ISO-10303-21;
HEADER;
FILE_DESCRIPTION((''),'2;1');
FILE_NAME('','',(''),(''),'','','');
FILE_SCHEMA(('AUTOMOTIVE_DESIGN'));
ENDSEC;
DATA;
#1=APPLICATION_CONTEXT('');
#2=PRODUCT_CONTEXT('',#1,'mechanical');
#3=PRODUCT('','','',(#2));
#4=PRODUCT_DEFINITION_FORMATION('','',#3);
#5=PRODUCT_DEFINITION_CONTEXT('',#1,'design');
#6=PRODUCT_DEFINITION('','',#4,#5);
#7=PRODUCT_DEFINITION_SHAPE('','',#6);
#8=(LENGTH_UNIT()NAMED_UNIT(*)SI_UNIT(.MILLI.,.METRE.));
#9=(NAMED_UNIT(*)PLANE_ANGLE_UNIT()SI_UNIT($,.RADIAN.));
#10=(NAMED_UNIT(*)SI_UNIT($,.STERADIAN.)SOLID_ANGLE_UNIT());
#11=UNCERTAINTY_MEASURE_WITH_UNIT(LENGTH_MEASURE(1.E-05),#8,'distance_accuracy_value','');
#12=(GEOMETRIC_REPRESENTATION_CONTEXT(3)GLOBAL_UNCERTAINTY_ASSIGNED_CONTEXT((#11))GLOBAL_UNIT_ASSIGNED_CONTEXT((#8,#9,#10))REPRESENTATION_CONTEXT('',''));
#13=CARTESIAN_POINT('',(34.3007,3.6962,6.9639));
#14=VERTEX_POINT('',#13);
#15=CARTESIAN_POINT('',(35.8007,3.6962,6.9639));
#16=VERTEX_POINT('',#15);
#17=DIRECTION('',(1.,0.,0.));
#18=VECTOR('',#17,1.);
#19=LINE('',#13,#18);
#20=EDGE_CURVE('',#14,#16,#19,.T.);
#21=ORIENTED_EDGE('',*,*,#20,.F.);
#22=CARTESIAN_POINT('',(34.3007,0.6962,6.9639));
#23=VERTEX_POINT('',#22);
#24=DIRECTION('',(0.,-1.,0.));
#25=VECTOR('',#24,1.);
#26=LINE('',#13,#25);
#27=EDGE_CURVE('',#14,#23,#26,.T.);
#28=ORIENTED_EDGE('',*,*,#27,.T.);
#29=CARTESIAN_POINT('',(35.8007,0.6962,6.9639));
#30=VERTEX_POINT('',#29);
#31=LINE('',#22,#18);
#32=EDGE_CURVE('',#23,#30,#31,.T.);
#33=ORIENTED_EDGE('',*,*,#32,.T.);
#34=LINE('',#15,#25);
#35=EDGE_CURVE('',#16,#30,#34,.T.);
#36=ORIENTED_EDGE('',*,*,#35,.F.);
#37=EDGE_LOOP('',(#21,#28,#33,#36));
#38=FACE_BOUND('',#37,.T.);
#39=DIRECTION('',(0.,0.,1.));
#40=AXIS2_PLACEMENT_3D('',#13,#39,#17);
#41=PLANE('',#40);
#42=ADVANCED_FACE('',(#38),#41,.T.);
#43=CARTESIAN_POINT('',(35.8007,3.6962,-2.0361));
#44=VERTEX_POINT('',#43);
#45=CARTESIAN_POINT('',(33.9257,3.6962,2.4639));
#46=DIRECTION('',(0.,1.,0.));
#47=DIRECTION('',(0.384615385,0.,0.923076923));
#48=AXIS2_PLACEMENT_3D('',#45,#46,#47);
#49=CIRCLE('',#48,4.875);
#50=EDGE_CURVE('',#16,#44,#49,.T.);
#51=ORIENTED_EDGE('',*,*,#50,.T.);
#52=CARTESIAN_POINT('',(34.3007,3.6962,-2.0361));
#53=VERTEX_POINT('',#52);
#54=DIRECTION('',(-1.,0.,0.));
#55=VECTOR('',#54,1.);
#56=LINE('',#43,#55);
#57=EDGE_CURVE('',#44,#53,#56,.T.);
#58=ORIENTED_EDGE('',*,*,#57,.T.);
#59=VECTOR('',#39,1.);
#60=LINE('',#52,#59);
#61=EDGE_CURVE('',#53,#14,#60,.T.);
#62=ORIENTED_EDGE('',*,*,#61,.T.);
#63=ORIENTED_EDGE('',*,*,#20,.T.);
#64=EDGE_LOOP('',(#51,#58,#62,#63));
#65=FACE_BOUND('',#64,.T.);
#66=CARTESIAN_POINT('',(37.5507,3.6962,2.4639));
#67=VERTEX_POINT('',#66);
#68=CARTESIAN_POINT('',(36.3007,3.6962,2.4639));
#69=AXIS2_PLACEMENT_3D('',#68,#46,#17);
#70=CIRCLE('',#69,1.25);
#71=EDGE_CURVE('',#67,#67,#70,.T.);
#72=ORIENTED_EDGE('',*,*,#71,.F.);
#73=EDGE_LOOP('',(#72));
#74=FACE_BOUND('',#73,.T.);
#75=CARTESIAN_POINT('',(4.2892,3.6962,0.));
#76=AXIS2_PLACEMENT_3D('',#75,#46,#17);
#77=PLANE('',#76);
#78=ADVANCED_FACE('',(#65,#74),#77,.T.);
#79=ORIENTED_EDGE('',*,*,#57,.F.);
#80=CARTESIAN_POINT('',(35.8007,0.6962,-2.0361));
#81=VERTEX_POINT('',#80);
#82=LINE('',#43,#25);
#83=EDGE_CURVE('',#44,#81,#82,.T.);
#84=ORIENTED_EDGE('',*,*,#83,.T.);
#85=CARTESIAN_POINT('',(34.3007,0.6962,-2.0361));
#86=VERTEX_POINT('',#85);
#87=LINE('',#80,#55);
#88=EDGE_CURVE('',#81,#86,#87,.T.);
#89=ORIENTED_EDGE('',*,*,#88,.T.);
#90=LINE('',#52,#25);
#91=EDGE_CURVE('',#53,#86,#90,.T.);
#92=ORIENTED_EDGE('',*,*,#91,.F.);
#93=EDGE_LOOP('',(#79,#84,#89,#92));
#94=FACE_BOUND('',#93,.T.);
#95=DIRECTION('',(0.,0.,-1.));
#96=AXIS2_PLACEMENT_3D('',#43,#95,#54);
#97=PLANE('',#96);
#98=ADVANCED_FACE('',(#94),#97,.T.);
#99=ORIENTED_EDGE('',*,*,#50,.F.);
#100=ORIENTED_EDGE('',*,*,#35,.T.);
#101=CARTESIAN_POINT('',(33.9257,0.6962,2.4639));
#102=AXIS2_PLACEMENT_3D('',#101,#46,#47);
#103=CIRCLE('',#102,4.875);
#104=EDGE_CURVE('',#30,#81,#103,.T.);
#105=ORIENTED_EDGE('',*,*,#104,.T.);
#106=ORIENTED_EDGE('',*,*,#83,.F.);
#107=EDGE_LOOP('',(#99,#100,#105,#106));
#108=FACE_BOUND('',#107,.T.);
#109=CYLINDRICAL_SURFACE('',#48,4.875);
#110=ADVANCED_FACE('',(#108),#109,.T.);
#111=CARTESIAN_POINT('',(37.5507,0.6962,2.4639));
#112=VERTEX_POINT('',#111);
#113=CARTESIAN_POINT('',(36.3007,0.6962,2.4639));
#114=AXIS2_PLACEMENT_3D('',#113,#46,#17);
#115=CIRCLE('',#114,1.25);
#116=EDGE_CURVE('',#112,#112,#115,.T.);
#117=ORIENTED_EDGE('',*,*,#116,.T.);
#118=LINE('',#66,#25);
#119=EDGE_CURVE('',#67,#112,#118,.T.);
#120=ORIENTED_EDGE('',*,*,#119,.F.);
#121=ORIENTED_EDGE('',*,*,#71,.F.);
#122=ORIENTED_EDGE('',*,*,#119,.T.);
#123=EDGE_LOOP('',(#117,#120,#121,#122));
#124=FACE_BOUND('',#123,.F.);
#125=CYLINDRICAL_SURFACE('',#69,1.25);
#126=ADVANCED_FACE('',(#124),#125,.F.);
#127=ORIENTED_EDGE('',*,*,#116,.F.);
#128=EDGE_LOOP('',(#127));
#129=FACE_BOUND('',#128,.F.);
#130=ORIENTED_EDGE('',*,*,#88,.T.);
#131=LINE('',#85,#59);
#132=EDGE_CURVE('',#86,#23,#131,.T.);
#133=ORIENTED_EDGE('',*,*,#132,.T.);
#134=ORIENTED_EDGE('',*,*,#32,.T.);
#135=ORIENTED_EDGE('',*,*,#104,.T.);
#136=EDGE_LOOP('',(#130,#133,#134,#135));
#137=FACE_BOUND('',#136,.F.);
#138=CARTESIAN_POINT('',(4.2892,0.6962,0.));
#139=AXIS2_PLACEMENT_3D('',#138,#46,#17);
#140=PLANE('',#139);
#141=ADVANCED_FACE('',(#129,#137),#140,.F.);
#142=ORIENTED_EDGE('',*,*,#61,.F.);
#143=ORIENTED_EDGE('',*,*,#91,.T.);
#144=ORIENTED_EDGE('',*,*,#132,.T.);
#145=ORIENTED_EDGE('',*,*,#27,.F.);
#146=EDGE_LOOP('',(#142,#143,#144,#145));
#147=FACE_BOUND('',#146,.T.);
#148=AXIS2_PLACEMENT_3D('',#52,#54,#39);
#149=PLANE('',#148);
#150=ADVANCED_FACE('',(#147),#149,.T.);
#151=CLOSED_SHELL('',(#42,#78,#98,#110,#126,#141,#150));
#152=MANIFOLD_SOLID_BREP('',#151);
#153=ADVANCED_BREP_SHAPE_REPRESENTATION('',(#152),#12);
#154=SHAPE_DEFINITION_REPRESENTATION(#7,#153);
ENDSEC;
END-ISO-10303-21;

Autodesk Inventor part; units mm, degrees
ref_plane "YZ Plane" through (0, 0, 0) normal (1, 0, 0) x (0, 1, 0)
ref_plane "Work Plane1" through (0, 0, 0) normal (0, 0, 1) x (1, 0, 0)
ref_plane "Work Plane2" through (-2.9544, 5, 3) normal (0, 0, 1) x (1, 0, 0)
ref_plane "Work Plane3" through (-3.1588, -5, 4) normal (0, 0, 1) x (1, 0, 0)
sketch "Sketch4" plane through (0, 0, 0) normal (0, 0, 1) x (1, 0, 0)
  point P0 (0, 0)
ref_plane "Work Plane4" through (4.2892, 3.6962, 0) normal (0, 1, 0) x (1, 0, 0)
sketch "Sketch5" plane through (4.2892, 3.6962, 0) normal (0, 1, 0) x (1, 0, 0)
  line L0 (30.0115, 2.0361) -> (30.0115, -6.9639)
  line L1 (30.0115, -6.9639) -> (31.5115, -6.9639)
  line L2 (31.5115, -6.9639) -> (31.5115, 2.0361) construction
  line L3 (31.5115, 2.0361) -> (30.0115, 2.0361)
  line L4 (31.5115, -2.4639) -> (34.5115, -2.4639) construction
  arc A0 (31.5115, -6.9639) -> (31.5115, 2.0361) centre (29.6365, -2.4639) ccw
  line L5 (31.5115, -2.4639) -> (32.0115, -2.4639)
  circle A1 centre (32.0115, -2.4639) radius 1.25
  point P0 (-4.2892, 0)
  dimension "d10" = 9
  dimension "d11" = 1.5
  dimension "d12" = 0.5
  dimension "d13" = 2.5
extrude "Extrusion4" add sketch "Sketch5" against normal blind 3
properties part number "spacer"
